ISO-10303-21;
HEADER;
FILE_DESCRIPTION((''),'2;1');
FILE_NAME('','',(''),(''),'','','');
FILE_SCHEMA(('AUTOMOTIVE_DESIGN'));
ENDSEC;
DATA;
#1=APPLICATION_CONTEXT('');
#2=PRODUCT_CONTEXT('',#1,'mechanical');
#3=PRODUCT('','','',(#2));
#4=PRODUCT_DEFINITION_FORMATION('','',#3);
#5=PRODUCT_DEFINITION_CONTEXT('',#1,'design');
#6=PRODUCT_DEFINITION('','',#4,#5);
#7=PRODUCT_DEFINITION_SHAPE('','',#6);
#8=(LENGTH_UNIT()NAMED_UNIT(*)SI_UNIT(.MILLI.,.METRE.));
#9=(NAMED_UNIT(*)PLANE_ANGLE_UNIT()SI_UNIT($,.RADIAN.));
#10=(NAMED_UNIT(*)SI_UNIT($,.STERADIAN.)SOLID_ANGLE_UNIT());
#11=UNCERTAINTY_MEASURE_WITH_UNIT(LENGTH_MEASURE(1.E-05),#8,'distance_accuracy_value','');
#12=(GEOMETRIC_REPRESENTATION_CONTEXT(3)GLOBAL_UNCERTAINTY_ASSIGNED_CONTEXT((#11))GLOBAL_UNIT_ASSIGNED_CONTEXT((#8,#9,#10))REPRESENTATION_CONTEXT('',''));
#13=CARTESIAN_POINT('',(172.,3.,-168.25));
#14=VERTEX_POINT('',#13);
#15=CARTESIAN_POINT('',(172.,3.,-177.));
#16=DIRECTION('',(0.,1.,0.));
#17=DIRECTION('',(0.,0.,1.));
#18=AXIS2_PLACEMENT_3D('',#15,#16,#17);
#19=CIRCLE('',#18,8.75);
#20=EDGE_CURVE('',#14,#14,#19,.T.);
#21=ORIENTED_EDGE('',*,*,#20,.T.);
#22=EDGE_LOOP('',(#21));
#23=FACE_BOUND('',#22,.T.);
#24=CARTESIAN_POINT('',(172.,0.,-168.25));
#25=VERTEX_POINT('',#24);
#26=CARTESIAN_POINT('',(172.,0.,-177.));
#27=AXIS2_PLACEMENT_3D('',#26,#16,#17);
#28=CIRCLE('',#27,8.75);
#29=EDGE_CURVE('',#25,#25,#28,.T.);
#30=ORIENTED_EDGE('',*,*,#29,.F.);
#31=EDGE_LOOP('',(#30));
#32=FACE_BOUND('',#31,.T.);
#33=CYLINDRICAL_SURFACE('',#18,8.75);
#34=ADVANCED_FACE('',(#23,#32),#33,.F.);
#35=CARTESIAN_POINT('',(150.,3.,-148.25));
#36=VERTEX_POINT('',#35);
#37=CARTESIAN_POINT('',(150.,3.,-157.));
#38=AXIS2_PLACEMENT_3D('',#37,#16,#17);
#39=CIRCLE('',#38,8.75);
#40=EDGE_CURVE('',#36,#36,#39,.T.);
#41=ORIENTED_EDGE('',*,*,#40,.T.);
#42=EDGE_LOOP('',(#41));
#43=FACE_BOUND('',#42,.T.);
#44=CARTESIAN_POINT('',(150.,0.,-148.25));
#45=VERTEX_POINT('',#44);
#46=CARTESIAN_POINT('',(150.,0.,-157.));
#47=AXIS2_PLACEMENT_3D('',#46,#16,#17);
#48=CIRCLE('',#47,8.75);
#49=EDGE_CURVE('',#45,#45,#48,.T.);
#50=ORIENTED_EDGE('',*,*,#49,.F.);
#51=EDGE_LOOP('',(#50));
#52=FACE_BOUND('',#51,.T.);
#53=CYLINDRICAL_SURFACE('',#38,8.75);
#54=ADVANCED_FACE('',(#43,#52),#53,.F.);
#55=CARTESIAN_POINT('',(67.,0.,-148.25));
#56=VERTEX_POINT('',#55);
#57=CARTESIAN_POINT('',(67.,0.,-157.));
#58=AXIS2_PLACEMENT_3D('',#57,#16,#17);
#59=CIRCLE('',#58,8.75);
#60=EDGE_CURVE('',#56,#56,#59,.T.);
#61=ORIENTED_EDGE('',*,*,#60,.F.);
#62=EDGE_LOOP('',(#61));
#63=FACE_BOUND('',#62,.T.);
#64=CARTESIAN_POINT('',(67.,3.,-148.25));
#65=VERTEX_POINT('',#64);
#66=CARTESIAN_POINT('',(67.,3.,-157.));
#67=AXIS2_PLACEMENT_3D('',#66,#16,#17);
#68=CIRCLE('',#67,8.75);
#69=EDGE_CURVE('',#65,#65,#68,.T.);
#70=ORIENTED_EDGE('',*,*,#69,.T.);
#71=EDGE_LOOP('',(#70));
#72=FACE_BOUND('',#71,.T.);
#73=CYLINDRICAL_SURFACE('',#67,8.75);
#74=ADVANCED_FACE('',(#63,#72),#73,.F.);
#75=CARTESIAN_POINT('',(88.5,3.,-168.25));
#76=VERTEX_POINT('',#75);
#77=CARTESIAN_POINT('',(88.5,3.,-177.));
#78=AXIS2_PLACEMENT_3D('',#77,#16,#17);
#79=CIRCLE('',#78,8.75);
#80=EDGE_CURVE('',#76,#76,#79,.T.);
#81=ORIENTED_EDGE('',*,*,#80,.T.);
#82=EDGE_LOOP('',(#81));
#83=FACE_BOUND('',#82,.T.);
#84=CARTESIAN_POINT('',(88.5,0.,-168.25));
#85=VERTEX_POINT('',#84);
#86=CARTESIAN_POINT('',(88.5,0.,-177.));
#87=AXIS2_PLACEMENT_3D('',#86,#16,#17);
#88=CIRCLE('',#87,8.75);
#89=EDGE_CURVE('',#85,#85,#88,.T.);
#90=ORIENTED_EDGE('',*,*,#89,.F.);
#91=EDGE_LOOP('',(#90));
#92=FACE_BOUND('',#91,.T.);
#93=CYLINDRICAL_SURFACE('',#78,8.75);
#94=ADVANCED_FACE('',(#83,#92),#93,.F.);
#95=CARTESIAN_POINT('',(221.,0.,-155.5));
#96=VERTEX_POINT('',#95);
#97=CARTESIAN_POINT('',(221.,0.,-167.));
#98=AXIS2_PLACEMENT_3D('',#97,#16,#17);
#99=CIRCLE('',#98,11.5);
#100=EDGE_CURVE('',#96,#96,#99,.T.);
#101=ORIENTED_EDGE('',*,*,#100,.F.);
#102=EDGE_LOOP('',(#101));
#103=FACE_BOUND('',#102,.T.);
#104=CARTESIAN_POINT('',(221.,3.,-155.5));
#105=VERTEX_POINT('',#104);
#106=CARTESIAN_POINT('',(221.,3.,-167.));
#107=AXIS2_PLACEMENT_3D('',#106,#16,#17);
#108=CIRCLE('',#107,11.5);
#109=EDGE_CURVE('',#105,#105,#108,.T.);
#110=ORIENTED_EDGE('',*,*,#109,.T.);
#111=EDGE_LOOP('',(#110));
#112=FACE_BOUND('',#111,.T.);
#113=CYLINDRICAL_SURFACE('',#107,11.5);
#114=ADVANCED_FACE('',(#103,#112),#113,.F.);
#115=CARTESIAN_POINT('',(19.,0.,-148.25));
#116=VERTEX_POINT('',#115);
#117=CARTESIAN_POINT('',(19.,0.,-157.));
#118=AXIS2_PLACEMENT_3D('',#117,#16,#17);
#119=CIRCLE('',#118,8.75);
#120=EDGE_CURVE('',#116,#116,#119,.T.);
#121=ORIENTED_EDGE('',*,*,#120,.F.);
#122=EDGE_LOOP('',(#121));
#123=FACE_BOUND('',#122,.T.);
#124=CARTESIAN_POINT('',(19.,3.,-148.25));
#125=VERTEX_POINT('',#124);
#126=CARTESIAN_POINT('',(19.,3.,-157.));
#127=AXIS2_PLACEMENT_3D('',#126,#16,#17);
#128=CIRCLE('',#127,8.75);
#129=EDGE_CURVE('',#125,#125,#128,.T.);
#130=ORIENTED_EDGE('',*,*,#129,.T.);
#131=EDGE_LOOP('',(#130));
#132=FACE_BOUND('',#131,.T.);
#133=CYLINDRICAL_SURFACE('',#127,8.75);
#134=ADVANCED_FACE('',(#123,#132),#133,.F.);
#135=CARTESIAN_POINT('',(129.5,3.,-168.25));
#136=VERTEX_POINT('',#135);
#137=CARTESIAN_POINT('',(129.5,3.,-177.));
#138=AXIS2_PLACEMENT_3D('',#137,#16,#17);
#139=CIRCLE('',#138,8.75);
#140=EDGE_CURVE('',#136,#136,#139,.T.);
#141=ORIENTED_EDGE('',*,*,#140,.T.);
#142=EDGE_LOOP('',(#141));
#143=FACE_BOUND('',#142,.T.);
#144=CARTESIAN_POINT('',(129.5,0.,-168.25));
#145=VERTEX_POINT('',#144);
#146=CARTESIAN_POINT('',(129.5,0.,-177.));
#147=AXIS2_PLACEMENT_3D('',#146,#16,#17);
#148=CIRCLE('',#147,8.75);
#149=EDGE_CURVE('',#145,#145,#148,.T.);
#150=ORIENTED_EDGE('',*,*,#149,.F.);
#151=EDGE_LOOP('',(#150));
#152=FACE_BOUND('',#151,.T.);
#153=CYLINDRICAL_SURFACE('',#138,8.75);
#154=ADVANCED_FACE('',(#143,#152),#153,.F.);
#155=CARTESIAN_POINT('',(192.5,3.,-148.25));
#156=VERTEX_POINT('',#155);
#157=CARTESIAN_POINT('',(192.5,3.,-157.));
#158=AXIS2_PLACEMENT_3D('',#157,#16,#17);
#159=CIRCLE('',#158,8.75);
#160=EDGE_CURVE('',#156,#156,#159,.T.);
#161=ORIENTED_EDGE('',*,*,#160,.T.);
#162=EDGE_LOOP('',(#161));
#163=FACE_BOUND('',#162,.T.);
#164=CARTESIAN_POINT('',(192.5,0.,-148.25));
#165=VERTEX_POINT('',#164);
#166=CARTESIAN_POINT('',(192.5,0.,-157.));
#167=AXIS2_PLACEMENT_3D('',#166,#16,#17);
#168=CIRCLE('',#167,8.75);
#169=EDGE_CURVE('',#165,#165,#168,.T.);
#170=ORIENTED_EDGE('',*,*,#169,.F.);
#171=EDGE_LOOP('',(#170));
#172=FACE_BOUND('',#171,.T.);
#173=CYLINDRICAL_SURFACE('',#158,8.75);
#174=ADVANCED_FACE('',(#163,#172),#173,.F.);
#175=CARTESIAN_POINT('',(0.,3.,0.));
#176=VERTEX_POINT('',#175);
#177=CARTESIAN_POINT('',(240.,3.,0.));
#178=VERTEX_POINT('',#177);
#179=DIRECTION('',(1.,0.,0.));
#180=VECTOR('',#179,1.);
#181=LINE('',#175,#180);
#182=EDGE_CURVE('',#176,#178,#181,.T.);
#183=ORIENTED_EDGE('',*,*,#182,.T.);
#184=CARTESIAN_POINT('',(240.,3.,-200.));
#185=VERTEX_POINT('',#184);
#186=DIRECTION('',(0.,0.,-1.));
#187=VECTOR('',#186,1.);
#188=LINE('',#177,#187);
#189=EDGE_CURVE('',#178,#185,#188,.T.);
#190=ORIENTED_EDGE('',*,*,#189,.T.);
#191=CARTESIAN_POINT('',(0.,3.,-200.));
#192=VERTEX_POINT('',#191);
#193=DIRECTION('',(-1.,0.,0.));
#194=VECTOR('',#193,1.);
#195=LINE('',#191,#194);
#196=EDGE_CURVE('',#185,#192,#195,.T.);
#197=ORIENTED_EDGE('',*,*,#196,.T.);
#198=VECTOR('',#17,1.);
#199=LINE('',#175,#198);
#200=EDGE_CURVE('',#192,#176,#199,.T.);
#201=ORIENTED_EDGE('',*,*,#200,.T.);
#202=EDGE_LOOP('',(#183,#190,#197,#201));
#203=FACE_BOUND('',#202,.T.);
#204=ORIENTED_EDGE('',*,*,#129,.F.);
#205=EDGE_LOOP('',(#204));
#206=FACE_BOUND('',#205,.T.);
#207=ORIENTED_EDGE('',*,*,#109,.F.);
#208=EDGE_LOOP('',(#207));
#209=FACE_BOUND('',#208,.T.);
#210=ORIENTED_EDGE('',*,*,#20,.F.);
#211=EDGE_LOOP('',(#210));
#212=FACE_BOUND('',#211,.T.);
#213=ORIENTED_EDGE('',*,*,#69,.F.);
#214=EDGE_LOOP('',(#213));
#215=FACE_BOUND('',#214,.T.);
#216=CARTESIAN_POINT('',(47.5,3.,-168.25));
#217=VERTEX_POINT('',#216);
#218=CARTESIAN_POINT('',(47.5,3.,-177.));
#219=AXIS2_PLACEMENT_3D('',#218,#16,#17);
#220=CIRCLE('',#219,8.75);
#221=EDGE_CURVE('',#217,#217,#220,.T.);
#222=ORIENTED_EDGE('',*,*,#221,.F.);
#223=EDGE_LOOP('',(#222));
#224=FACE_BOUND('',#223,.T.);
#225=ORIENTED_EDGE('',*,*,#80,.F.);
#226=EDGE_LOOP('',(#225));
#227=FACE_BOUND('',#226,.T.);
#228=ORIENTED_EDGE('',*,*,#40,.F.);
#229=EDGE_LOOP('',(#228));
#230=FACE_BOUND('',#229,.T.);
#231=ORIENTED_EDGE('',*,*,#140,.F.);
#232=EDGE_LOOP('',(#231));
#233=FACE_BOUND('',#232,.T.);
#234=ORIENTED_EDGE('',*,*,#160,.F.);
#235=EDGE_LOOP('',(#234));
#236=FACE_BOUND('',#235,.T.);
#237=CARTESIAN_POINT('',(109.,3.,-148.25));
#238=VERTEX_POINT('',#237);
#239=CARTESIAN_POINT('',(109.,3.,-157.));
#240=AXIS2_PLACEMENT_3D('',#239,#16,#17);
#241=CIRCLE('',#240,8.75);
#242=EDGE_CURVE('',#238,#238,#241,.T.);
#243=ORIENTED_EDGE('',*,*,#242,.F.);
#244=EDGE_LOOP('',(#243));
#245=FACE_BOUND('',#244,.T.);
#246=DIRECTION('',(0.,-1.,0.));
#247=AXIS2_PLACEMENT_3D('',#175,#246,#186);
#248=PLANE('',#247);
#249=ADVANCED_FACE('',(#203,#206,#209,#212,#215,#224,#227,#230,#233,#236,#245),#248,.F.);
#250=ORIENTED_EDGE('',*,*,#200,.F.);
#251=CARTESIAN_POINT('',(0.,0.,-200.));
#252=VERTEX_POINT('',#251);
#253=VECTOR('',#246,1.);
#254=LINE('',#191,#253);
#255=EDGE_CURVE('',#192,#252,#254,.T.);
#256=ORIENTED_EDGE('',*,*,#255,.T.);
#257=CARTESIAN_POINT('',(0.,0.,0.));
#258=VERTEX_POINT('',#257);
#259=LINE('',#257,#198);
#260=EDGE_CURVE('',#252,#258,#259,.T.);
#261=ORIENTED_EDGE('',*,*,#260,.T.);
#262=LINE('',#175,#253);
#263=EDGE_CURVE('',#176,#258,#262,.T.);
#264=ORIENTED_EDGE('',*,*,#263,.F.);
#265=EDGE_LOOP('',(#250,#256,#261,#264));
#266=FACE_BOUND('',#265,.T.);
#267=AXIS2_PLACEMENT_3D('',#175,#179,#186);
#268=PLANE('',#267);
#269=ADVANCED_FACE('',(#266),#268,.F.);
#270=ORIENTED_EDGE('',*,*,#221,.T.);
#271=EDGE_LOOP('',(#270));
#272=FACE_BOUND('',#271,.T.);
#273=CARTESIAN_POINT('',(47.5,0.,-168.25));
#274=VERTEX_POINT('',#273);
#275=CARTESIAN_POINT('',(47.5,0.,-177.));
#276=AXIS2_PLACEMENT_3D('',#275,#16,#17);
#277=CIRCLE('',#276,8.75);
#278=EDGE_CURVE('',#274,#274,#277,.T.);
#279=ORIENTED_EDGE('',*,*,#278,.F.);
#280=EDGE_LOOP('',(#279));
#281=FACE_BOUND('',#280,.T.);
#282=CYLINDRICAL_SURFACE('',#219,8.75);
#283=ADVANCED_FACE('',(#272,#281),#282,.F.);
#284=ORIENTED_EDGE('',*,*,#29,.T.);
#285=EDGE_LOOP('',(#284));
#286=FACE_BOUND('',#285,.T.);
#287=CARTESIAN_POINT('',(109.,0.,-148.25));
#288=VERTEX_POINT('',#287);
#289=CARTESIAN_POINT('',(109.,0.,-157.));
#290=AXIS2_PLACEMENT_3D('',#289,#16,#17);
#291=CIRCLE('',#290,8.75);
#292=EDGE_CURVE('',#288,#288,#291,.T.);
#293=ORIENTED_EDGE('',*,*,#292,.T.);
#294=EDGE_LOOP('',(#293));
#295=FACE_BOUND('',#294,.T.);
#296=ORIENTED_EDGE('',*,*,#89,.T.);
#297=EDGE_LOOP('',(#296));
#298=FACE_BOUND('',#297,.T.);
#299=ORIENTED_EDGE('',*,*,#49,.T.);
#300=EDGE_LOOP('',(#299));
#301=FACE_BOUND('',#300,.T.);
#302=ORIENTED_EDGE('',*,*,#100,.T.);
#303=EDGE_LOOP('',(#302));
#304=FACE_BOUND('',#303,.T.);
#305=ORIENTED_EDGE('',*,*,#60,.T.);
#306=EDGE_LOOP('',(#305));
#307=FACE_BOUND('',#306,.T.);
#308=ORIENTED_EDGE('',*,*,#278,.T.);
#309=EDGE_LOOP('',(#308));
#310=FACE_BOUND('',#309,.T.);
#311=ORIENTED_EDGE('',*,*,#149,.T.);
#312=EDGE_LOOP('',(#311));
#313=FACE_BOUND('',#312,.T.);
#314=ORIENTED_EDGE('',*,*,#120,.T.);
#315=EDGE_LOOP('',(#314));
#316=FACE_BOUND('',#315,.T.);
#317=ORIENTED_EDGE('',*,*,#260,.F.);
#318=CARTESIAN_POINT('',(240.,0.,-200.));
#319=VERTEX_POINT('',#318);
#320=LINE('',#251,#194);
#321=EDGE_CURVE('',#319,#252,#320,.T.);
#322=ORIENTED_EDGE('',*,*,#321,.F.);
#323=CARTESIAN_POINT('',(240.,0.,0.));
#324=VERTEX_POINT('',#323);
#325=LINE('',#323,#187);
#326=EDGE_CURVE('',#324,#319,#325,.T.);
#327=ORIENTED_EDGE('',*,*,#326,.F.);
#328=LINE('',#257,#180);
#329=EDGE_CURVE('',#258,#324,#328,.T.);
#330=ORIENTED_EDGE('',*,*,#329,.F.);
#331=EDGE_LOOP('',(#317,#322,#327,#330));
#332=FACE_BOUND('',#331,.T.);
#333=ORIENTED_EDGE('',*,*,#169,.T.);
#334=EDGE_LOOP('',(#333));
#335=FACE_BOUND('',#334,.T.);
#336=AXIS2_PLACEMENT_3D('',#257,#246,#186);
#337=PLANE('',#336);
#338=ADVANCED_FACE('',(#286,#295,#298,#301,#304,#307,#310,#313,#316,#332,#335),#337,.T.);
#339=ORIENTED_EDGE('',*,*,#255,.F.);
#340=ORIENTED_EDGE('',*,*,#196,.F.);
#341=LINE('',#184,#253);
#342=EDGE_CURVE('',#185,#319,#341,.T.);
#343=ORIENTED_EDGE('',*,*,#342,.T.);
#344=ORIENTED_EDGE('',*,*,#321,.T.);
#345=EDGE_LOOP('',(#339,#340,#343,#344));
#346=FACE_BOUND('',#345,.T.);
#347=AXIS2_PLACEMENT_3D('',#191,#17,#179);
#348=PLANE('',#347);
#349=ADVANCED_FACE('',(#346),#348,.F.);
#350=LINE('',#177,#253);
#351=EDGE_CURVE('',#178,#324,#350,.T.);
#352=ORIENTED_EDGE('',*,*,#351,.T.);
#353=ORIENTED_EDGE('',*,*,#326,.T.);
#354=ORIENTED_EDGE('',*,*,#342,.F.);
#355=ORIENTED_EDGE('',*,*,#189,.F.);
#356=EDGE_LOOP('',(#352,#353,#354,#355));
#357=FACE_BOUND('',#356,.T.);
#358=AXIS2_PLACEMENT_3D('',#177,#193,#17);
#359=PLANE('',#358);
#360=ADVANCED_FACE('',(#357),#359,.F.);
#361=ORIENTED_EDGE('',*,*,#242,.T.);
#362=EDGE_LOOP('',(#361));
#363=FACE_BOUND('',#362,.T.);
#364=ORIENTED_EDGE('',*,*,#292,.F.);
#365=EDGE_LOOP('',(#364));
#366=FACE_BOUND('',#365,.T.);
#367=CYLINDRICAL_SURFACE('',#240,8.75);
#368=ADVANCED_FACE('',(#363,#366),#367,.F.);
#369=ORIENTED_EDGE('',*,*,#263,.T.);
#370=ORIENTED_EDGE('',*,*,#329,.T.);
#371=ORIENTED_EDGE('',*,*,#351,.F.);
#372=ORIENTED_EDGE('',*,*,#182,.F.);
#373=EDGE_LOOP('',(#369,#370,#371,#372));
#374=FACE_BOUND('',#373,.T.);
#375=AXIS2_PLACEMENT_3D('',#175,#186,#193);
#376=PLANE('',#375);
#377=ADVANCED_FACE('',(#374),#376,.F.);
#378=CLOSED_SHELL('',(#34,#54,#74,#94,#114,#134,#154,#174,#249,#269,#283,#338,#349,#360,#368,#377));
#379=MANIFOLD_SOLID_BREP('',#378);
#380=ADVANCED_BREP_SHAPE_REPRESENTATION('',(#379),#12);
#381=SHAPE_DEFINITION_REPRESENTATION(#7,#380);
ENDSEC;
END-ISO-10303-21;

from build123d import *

# Parameters (mm, degrees)
SKETCH1_W             = 240
SKETCH1_H             = 200
BOSS_EXTRUDE1_DEPTH   = 3
M16_CLEARANCE_HOLE1_D = 17.5
M22_CLEARANCE_HOLE1_D = 23


with BuildPart() as part:
    # Sketch1 → Boss-Extrude1 (new body)
    with BuildSketch(Plane(origin=(0, 0, 0), x_dir=(1, 0, 0), z_dir=(0, 1, 0))):
        with Locations((120, 100)):
            Rectangle(SKETCH1_W, SKETCH1_H)
    extrude(amount=BOSS_EXTRUDE1_DEPTH)

    # M16 Clearance Hole1 (through all)
    with Locations(Plane(origin=(0, 3, 0), x_dir=(1, 0, 0), z_dir=(0, 1, 0))):
        with Locations((19, 157), (47.5, 177), (67, 157), (88.5, 177), (109, 157), (129.5, 177), (150, 157), (172, 177), (192.5, 157)):
            Hole(M16_CLEARANCE_HOLE1_D / 2)

    # M22 Clearance Hole1 (through all)
    with Locations(Plane(origin=(0, 3, 0), x_dir=(1, 0, 0), z_dir=(0, 1, 0))):
        with Locations((221, 167)):
            Hole(M22_CLEARANCE_HOLE1_D / 2)


solid = part.part
